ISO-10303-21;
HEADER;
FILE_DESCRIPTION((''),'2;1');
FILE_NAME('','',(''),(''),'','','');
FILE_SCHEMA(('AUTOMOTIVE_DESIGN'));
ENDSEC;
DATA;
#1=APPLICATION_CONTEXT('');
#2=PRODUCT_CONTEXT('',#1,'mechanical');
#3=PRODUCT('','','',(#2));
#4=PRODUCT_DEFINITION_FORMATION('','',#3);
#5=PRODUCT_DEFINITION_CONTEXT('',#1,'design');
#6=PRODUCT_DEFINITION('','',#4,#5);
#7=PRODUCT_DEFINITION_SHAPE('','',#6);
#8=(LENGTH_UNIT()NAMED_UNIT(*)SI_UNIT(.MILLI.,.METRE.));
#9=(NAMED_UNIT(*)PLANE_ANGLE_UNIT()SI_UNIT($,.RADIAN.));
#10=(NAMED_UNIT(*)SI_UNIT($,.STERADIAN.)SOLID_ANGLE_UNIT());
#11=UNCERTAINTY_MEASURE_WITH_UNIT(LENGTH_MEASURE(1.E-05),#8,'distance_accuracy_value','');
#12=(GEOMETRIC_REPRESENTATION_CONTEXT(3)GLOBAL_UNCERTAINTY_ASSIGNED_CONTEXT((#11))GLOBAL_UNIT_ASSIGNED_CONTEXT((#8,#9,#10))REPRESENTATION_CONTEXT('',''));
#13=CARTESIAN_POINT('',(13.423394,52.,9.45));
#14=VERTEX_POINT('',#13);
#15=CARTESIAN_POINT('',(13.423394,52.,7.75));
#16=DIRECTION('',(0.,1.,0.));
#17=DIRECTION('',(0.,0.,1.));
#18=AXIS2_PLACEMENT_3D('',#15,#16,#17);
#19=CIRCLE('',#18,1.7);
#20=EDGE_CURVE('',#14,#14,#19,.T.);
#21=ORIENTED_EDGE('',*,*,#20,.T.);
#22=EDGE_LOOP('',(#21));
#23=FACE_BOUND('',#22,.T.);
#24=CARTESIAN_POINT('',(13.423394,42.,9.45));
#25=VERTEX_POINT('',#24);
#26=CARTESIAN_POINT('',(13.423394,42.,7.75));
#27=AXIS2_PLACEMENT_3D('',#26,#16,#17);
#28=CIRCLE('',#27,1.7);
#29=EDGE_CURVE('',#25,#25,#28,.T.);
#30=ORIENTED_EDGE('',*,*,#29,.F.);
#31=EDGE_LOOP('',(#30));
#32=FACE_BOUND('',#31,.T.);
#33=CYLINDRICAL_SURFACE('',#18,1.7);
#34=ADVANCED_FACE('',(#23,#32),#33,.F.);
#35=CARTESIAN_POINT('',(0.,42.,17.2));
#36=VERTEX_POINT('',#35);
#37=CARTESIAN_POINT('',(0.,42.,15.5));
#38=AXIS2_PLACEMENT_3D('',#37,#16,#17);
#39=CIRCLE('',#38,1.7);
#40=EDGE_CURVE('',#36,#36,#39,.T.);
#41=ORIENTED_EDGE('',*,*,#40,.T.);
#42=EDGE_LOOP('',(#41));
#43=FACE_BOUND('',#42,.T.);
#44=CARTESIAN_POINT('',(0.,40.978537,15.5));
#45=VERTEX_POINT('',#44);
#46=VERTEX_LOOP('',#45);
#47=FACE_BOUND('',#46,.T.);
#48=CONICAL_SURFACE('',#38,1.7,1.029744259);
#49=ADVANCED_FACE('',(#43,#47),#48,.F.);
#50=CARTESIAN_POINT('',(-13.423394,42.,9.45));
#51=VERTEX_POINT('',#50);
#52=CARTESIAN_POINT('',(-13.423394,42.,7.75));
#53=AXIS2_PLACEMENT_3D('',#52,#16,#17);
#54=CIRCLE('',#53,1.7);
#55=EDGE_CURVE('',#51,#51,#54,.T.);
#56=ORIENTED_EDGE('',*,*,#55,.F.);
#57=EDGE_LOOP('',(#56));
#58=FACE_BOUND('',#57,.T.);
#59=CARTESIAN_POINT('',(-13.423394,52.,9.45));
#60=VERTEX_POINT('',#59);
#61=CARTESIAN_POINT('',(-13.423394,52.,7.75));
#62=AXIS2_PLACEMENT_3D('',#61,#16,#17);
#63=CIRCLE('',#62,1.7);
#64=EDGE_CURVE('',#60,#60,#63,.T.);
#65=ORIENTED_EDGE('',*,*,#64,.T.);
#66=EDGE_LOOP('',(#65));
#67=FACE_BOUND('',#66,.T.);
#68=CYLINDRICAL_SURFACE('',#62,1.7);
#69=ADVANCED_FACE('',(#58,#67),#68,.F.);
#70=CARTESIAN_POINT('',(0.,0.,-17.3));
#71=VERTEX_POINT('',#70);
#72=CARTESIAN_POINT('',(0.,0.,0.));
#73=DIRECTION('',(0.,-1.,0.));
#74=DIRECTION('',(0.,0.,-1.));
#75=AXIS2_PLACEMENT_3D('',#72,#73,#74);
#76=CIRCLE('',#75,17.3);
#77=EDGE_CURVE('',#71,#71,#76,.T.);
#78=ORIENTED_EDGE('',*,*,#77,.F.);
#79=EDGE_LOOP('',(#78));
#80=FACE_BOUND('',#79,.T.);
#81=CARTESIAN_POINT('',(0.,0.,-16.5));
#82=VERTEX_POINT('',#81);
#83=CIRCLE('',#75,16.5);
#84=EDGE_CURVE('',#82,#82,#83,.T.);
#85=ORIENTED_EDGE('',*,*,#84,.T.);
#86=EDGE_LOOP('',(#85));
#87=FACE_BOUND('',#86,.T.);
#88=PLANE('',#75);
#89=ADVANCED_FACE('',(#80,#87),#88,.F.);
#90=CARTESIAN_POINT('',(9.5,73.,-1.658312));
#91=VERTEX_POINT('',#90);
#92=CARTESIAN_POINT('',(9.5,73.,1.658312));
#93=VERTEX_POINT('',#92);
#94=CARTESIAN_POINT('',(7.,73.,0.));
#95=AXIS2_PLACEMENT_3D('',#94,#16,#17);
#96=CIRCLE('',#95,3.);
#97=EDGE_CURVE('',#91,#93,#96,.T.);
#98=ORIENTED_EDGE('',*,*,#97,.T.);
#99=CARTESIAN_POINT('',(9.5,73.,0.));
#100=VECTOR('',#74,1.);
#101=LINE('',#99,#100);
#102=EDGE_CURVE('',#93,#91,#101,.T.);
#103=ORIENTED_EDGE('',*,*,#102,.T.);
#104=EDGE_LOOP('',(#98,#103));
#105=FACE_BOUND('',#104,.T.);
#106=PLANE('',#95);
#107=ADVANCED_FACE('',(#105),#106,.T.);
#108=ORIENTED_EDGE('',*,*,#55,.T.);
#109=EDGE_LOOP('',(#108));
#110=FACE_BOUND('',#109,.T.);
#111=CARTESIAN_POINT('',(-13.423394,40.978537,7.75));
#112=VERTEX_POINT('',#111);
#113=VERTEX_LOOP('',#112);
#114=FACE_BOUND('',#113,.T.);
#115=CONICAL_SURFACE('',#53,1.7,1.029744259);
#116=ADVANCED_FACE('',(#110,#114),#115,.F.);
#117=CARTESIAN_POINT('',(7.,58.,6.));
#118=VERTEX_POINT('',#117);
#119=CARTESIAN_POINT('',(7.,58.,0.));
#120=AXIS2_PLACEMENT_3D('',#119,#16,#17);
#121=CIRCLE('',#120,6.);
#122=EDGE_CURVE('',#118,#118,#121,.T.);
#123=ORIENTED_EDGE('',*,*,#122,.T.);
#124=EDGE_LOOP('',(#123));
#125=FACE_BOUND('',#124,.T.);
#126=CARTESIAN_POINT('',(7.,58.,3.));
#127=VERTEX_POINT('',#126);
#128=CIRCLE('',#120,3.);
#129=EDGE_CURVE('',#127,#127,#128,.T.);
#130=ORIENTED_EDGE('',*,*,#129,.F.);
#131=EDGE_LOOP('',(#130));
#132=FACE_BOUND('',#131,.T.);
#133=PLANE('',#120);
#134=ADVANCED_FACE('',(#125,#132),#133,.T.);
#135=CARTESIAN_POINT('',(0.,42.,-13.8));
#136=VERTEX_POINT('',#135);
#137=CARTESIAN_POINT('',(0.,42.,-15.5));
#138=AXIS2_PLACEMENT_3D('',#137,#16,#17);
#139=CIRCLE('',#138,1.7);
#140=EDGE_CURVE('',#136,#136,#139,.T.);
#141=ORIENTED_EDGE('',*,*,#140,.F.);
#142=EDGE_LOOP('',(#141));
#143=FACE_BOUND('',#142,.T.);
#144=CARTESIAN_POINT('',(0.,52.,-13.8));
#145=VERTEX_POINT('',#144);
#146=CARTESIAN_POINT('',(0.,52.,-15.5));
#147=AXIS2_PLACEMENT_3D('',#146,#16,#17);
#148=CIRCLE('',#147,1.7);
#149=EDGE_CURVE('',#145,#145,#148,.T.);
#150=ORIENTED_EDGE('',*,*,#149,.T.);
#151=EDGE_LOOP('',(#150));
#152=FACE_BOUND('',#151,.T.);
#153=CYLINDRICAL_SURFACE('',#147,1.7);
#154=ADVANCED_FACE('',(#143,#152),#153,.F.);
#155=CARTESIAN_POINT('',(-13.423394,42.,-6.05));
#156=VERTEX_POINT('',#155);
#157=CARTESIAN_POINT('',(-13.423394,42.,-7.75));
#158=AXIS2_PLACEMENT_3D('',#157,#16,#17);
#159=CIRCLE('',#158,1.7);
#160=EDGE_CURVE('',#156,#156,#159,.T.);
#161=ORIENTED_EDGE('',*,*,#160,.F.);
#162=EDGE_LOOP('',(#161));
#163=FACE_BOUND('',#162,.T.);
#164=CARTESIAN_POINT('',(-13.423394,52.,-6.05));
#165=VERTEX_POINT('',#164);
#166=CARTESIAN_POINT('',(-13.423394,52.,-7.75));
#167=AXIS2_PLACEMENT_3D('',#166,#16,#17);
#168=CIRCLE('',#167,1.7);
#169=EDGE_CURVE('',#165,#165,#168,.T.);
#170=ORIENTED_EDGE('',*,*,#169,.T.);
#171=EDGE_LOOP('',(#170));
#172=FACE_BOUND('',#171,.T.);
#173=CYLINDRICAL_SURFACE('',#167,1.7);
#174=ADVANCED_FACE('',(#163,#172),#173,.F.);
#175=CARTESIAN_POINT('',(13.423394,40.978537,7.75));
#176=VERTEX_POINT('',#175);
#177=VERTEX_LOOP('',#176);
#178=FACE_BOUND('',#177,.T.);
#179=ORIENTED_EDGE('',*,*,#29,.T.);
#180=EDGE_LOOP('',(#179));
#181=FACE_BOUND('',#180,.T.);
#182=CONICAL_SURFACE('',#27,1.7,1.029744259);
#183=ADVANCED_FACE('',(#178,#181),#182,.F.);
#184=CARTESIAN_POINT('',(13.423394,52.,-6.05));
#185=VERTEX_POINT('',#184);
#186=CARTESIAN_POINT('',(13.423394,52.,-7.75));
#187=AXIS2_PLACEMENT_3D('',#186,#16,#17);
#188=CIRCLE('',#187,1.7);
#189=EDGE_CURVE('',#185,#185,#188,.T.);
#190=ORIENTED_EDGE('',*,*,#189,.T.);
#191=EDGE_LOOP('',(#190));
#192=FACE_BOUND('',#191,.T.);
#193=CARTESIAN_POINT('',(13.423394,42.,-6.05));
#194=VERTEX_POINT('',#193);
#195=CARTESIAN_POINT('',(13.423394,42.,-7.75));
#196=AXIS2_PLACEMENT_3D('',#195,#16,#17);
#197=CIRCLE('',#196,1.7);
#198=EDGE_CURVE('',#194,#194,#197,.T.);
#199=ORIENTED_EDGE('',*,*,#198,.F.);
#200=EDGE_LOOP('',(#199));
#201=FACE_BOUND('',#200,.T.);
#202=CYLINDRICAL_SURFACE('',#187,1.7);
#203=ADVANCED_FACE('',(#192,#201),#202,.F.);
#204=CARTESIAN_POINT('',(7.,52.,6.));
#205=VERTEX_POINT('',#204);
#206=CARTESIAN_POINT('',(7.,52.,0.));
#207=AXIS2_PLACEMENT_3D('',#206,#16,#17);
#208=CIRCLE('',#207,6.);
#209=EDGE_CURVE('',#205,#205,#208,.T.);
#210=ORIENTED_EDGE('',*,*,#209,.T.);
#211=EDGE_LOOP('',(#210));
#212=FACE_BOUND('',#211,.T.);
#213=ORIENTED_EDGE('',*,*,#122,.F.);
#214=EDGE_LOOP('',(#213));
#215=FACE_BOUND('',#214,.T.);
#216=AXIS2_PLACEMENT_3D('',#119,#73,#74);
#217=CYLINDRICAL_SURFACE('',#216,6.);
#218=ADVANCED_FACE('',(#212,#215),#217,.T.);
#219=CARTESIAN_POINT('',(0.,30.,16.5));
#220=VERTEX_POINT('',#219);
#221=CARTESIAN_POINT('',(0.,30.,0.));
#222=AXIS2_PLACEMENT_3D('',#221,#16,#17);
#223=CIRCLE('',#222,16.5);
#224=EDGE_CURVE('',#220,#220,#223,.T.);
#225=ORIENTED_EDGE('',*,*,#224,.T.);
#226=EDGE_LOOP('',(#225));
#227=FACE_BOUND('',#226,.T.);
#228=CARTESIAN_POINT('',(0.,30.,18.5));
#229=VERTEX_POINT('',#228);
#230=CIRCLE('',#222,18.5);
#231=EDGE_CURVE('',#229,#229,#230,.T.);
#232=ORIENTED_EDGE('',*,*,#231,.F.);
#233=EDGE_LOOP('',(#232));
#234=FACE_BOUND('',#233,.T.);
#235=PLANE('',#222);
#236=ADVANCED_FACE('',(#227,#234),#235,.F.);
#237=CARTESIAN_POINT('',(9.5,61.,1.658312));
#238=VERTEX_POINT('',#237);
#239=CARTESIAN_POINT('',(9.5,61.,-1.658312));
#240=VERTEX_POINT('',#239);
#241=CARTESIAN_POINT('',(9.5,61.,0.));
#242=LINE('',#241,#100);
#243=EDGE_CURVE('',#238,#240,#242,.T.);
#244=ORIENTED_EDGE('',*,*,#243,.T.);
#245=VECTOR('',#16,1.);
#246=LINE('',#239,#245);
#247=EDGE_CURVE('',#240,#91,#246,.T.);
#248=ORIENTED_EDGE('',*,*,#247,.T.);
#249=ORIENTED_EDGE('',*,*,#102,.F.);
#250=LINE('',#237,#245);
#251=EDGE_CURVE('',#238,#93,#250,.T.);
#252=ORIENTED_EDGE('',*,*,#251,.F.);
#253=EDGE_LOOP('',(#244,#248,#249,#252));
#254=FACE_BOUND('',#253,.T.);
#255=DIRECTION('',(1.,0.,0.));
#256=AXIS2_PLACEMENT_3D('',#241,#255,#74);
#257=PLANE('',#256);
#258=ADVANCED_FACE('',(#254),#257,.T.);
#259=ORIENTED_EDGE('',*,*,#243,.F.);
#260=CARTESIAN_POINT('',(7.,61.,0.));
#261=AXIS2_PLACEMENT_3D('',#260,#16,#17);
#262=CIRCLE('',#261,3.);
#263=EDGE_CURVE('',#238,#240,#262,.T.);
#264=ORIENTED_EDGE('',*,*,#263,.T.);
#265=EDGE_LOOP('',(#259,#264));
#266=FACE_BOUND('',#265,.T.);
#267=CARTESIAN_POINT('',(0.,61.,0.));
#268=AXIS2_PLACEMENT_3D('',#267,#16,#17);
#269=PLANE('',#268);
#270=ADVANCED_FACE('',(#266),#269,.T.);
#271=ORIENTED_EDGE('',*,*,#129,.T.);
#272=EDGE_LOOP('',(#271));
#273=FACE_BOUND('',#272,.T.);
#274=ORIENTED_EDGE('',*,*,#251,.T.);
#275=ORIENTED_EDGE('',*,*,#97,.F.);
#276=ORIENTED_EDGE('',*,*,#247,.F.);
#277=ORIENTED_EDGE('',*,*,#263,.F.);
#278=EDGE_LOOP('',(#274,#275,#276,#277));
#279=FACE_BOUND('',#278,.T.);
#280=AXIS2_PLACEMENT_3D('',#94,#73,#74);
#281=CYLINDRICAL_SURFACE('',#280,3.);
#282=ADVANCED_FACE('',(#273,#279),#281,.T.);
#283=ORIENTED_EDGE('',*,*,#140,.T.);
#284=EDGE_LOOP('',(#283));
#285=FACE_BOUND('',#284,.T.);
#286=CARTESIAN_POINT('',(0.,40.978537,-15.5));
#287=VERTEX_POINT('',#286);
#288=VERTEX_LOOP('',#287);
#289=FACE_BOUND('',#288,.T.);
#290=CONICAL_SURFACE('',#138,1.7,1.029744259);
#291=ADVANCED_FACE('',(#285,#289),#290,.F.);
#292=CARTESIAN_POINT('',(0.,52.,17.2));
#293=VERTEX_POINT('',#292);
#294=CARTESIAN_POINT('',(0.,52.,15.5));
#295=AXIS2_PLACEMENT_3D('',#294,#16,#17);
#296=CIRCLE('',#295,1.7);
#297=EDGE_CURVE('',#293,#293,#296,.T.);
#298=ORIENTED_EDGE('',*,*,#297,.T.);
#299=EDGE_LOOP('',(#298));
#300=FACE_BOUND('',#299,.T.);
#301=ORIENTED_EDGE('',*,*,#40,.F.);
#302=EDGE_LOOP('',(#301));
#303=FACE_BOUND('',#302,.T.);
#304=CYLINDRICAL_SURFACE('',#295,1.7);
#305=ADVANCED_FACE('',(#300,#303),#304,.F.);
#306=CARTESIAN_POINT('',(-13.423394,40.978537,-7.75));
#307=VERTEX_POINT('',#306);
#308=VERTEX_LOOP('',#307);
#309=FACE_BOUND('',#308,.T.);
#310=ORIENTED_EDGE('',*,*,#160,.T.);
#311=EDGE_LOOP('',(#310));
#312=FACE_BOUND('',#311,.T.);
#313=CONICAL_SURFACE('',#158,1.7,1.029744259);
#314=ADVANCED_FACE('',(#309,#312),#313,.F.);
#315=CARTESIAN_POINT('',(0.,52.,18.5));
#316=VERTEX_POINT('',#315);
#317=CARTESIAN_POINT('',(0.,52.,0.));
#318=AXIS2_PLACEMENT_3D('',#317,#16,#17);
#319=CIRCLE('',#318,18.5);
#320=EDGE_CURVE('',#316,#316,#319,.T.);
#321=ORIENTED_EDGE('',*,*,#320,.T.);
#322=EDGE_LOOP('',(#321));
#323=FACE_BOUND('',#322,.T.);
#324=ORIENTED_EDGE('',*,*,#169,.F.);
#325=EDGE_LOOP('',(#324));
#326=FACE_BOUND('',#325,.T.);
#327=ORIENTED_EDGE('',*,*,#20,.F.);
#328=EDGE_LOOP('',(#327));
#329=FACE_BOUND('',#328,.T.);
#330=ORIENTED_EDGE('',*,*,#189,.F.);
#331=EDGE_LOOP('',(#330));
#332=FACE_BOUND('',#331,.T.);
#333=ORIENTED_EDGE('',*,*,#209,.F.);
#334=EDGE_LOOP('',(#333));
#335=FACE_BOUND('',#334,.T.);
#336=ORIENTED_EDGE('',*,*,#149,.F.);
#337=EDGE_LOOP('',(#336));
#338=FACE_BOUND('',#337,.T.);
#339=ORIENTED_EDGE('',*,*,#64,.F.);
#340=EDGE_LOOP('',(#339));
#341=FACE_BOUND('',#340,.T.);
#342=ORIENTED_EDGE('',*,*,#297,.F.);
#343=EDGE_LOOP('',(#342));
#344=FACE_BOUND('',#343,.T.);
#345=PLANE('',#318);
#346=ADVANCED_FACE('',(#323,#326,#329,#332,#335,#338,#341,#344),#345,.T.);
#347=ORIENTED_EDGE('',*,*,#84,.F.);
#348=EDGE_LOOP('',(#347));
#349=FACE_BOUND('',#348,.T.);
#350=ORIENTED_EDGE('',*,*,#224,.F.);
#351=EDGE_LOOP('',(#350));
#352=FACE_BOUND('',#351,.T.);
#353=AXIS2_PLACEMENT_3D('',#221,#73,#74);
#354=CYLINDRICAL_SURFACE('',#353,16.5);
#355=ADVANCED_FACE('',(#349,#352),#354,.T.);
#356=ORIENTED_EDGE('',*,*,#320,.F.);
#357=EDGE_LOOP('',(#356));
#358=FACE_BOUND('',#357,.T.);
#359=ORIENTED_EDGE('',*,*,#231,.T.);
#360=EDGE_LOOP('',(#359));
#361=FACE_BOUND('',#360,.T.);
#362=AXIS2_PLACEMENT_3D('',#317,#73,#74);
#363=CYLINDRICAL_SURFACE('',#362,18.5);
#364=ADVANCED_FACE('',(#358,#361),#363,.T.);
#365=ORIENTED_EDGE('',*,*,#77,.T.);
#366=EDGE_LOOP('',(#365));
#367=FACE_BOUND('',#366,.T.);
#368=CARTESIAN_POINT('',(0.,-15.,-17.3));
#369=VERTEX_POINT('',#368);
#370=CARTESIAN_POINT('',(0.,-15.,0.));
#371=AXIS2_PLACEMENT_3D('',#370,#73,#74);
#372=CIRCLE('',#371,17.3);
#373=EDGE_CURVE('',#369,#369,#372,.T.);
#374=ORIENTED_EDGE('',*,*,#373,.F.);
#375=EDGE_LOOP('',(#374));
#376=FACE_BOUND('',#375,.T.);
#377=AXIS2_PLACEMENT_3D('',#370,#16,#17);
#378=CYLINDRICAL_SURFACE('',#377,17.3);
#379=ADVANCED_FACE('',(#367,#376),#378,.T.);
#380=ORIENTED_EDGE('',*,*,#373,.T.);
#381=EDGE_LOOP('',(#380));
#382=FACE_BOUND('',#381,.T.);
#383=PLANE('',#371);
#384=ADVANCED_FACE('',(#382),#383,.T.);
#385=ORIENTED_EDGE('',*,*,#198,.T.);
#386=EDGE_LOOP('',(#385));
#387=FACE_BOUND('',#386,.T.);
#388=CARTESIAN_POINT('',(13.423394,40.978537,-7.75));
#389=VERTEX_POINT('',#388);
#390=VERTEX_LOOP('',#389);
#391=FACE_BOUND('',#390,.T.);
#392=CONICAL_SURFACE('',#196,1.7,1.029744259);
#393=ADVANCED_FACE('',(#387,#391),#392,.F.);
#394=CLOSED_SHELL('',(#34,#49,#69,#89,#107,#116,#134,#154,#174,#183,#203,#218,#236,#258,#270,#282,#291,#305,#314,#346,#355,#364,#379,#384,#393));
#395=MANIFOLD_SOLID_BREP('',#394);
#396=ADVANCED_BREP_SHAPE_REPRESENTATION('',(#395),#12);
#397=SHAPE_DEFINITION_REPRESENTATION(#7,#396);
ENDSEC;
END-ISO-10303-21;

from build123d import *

# Parameters (mm, degrees)
SKETCH1_R                = 16.5
BOSS_EXTRUDE1_DEPTH      = 30
SKETCH2_R                = 2
BOSS_EXTRUDE2_DEPTH      = 2
SKETCH3_R                = 18.5
BOSS_EXTRUDE3_DEPTH      = 22
SKETCH5_R                = 6
BOSS_EXTRUDE4_DEPTH      = 6
SKETCH6_R                = 3
BOSS_EXTRUDE5_DEPTH      = 15
CUT_EXTRUDE1_START       = -12
CUT_EXTRUDE1_DEPTH       = 12
M3_CLEARANCE_HOLE1_D     = 3.4
M3_CLEARANCE_HOLE1_DEPTH = 10
M3_CLEARANCE_HOLE1_TIP   = 1.021463052
SKETCH16_R               = 17.3
BOSS_EXTRUDE6_DEPTH      = 15


with BuildPart() as part:
    # Sketch1 → Boss-Extrude1 (new body)
    with BuildSketch(Plane(origin=(0, 0, 0), x_dir=(1, 0, 0), z_dir=(0, 1, 0))):
        with Locations(Location((0, 0, 0), (0, 0, 270))):
            Circle(SKETCH1_R)
    extrude(amount=BOSS_EXTRUDE1_DEPTH)

    # Sketch2 → Boss-Extrude2 (add)
    with BuildSketch(Plane.XZ):
        with Locations(Location((0, 0, 0), (0, 0, 90))):
            Circle(SKETCH2_R)
    extrude(amount=BOSS_EXTRUDE2_DEPTH)

    # Sketch3 → Boss-Extrude3 (add)
    with BuildSketch(Plane(origin=(0, 30, 0), x_dir=(1, 0, 0), z_dir=(0, 1, 0))):
        with Locations(Location((0, 0, 0), (0, 0, 270))):
            Circle(SKETCH3_R)
    extrude(amount=BOSS_EXTRUDE3_DEPTH)

    # Sketch5 → Boss-Extrude4 (add)
    with BuildSketch(Plane(origin=(0, 52, 0), x_dir=(1, 0, 0), z_dir=(0, 1, 0))):
        with Locations(Location((7, 0, 0), (0, 0, 270))):
            Circle(SKETCH5_R)
    extrude(amount=BOSS_EXTRUDE4_DEPTH)

    # Sketch6 → Boss-Extrude5 (add)
    with BuildSketch(Plane(origin=(0, 58, 0), x_dir=(1, 0, 0), z_dir=(0, 1, 0))):
        with Locations(Location((7, 0, 0), (0, 0, 270))):
            Circle(SKETCH6_R)
    extrude(amount=BOSS_EXTRUDE5_DEPTH)

    # Sketch9 → Cut-Extrude1 (cut)
    with BuildSketch(Plane(origin=(0, 73, 0), x_dir=(1, 0, 0), z_dir=(0, 1, 0)).offset(CUT_EXTRUDE1_START)):
        with BuildLine():
            ThreePointArc((9.5, -1.658312395), (9.872281323, -0.866025404), (10, 0))
            Line((10, 0), (9.5, 0))
            Line((9.5, 0), (9.5, -1.658312395))
        make_face()
        with BuildLine():
            Line((9.5, 0), (10, 0))
            ThreePointArc((10, 0), (9.872281323, 0.866025404), (9.5, 1.658312395))
            Line((9.5, 1.658312395), (9.5, 0))
        make_face()
    extrude(amount=CUT_EXTRUDE1_DEPTH, mode=Mode.SUBTRACT)

    # M3 Clearance Hole1
    with Locations(Plane(origin=(0, 52, 0), x_dir=(1, 0, 0), z_dir=(0, 1, 0))):
        with Locations((0, -15.5), (-13.423393759, -7.75), (0, 15.5), (-13.423393759, 7.75), (13.423393759, -7.75), (13.423393759, 7.75)):
            Hole(M3_CLEARANCE_HOLE1_D / 2, depth=M3_CLEARANCE_HOLE1_DEPTH)
            with Locations((0, 0, -(M3_CLEARANCE_HOLE1_DEPTH + M3_CLEARANCE_HOLE1_TIP / 2))):  # 118° drill point
                Cone(0, M3_CLEARANCE_HOLE1_D / 2, M3_CLEARANCE_HOLE1_TIP, mode=Mode.SUBTRACT)

    # Sketch16 → Boss-Extrude6 (add)
    with BuildSketch(Plane.XZ):
        with Locations(Location((0, 0, 0), (0, 0, 270))):
            Circle(SKETCH16_R)
    extrude(amount=BOSS_EXTRUDE6_DEPTH)


solid = part.part
